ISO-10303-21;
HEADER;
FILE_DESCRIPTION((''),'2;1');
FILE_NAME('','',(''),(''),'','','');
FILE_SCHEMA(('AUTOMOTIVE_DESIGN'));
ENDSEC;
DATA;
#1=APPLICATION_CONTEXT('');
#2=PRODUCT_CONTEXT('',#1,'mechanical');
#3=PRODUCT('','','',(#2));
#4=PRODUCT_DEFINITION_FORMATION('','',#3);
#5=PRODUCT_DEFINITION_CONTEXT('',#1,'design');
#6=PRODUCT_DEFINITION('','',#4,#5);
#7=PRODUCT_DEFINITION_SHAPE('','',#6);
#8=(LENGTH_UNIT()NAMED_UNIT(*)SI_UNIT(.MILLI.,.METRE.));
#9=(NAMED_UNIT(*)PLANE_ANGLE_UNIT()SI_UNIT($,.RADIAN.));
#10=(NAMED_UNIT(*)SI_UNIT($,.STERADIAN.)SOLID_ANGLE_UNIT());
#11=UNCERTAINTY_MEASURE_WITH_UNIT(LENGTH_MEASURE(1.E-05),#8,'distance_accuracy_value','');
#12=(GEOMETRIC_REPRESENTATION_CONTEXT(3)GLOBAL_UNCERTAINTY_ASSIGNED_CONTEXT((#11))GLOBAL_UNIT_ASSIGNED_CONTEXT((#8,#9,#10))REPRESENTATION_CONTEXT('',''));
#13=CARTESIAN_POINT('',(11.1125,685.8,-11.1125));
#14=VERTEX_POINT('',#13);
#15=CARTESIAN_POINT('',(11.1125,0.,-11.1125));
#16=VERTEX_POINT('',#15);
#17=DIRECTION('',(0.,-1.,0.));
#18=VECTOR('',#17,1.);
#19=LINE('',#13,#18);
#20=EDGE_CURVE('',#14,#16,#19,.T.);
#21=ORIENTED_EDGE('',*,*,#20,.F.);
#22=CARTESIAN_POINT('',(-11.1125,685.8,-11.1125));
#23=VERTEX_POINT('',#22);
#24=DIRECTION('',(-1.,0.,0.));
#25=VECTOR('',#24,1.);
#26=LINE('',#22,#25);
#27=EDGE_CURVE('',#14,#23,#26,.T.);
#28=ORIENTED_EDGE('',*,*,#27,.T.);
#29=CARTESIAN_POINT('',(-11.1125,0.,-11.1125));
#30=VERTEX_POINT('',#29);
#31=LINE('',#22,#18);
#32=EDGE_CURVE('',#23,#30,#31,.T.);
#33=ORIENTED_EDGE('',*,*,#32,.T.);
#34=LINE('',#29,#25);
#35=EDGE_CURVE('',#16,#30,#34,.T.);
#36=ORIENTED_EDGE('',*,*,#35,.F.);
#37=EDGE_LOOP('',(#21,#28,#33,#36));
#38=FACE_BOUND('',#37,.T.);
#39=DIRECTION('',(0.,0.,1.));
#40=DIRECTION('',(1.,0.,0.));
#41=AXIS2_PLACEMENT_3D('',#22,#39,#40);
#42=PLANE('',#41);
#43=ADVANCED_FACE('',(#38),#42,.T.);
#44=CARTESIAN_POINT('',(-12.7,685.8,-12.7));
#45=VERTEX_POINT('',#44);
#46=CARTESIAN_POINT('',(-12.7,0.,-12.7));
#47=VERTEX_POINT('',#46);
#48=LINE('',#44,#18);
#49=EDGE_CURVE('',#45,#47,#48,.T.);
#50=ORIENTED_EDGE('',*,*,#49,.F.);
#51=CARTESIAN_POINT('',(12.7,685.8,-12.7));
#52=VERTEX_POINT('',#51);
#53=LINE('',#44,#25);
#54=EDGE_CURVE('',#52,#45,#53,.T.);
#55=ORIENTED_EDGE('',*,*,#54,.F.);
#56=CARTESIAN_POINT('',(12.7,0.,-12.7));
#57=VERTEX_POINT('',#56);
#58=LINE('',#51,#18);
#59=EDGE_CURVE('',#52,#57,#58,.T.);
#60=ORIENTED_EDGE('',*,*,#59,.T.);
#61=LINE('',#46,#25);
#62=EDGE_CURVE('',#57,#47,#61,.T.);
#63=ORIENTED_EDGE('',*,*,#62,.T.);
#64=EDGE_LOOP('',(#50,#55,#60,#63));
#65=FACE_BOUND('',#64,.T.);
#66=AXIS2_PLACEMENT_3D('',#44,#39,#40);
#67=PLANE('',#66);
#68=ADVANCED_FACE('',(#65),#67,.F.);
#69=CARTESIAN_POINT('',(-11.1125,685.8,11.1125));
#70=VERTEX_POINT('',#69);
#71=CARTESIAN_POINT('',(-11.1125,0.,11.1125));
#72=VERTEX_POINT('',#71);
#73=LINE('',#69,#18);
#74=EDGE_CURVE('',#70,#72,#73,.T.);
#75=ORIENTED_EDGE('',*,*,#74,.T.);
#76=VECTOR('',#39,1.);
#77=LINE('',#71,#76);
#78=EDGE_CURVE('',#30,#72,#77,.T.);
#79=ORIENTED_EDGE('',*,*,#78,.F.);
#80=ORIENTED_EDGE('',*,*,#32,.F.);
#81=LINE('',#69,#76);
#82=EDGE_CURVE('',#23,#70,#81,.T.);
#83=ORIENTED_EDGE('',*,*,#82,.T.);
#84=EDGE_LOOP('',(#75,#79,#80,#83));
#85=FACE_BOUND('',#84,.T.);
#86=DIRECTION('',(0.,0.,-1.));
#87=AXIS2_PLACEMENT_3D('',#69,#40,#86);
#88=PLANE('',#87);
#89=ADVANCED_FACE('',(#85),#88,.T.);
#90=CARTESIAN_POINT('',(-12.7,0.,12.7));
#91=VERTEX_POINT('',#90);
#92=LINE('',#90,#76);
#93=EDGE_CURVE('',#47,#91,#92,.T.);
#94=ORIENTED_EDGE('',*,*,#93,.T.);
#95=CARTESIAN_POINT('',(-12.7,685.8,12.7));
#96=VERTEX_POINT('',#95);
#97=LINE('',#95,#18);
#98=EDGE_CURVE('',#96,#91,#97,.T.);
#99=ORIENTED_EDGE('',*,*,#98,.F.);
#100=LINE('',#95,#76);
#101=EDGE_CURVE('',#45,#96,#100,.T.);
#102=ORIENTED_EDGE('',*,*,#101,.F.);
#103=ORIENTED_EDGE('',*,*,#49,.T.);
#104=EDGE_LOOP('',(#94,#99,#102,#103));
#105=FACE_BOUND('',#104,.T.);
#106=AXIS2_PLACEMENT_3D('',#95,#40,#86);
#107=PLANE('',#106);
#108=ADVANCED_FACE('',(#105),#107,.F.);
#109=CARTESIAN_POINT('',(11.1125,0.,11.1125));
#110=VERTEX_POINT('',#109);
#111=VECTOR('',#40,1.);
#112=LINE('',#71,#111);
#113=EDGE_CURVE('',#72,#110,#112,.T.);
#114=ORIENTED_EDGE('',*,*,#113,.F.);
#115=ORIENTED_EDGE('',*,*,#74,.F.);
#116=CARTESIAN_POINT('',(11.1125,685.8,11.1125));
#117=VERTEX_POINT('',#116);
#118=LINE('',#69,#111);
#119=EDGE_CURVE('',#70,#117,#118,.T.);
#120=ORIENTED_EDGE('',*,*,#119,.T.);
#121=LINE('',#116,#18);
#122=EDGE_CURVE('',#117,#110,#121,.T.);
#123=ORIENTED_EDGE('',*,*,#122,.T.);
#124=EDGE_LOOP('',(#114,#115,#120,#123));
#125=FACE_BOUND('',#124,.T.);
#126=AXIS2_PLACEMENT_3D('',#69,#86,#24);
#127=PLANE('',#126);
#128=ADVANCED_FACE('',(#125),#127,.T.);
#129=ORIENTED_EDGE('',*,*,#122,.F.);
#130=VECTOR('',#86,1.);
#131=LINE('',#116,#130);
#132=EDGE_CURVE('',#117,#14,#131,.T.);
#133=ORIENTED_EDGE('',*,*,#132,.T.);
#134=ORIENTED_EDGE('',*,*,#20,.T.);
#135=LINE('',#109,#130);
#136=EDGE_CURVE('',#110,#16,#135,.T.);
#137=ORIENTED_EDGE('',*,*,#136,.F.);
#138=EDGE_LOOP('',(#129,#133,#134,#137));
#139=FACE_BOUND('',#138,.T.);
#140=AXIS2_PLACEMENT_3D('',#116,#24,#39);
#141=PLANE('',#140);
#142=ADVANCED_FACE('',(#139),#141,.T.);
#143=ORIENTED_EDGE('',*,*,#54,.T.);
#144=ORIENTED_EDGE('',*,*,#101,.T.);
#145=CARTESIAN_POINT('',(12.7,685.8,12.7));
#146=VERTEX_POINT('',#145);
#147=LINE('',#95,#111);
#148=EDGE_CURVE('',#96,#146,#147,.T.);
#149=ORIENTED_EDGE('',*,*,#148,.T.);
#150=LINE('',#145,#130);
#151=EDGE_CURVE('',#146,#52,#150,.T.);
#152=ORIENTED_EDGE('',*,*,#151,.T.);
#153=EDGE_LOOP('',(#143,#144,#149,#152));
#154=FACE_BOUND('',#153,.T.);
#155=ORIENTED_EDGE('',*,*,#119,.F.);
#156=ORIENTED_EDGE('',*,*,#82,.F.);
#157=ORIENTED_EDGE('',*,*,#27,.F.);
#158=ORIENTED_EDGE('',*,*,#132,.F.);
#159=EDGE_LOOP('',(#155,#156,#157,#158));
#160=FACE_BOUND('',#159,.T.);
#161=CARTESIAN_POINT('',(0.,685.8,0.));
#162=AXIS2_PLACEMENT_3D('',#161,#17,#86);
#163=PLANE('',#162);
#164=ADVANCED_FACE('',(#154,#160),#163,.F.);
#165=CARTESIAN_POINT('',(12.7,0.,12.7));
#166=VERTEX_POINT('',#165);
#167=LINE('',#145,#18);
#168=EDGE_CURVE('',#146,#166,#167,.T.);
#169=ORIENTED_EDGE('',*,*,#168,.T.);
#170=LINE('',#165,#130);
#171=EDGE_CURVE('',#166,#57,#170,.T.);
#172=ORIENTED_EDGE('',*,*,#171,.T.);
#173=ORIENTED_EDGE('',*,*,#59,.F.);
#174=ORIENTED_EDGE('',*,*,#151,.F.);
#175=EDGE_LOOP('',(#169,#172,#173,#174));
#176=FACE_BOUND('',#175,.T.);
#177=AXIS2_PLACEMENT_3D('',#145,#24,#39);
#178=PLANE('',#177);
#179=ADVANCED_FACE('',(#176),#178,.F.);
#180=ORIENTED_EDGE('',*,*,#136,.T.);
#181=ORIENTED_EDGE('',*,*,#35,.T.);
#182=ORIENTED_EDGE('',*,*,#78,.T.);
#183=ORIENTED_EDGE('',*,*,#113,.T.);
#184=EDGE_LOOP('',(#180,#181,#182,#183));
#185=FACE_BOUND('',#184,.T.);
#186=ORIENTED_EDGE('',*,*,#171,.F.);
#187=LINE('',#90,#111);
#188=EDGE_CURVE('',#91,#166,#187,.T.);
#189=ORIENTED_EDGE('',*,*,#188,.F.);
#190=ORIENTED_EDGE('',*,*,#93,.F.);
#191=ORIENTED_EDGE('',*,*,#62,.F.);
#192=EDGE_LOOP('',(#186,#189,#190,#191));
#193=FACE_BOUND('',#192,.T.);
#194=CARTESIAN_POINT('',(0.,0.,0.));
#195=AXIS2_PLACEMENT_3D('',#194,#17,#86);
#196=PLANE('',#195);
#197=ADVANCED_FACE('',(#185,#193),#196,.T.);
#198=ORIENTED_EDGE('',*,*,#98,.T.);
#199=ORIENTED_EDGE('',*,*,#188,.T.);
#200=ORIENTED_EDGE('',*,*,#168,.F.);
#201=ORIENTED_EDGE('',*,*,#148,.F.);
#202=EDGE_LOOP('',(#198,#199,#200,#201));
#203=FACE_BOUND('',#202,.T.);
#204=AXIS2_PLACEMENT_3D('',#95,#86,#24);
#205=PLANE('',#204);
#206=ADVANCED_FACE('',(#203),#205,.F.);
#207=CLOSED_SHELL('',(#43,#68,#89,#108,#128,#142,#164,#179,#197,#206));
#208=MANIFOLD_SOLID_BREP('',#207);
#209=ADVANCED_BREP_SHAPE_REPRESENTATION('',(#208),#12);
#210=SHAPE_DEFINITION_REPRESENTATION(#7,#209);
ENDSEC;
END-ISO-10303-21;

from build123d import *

# Parameters (mm, degrees)
SKETCH1_W           = 25.4
SKETCH1_H           = 25.4
SKETCH1_W_2         = 22.225
SKETCH1_H_2         = 22.225
BOSS_EXTRUDE1_DEPTH = 685.8


with BuildPart() as part:
    # Sketch1 → Boss-Extrude1 (new body)
    with BuildSketch(Plane(origin=(0, 0, 0), x_dir=(1, 0, 0), z_dir=(0, 1, 0))):
        Rectangle(SKETCH1_W, SKETCH1_H)
        Rectangle(SKETCH1_W_2, SKETCH1_H_2, mode=Mode.SUBTRACT)
    extrude(amount=BOSS_EXTRUDE1_DEPTH)


solid = part.part
